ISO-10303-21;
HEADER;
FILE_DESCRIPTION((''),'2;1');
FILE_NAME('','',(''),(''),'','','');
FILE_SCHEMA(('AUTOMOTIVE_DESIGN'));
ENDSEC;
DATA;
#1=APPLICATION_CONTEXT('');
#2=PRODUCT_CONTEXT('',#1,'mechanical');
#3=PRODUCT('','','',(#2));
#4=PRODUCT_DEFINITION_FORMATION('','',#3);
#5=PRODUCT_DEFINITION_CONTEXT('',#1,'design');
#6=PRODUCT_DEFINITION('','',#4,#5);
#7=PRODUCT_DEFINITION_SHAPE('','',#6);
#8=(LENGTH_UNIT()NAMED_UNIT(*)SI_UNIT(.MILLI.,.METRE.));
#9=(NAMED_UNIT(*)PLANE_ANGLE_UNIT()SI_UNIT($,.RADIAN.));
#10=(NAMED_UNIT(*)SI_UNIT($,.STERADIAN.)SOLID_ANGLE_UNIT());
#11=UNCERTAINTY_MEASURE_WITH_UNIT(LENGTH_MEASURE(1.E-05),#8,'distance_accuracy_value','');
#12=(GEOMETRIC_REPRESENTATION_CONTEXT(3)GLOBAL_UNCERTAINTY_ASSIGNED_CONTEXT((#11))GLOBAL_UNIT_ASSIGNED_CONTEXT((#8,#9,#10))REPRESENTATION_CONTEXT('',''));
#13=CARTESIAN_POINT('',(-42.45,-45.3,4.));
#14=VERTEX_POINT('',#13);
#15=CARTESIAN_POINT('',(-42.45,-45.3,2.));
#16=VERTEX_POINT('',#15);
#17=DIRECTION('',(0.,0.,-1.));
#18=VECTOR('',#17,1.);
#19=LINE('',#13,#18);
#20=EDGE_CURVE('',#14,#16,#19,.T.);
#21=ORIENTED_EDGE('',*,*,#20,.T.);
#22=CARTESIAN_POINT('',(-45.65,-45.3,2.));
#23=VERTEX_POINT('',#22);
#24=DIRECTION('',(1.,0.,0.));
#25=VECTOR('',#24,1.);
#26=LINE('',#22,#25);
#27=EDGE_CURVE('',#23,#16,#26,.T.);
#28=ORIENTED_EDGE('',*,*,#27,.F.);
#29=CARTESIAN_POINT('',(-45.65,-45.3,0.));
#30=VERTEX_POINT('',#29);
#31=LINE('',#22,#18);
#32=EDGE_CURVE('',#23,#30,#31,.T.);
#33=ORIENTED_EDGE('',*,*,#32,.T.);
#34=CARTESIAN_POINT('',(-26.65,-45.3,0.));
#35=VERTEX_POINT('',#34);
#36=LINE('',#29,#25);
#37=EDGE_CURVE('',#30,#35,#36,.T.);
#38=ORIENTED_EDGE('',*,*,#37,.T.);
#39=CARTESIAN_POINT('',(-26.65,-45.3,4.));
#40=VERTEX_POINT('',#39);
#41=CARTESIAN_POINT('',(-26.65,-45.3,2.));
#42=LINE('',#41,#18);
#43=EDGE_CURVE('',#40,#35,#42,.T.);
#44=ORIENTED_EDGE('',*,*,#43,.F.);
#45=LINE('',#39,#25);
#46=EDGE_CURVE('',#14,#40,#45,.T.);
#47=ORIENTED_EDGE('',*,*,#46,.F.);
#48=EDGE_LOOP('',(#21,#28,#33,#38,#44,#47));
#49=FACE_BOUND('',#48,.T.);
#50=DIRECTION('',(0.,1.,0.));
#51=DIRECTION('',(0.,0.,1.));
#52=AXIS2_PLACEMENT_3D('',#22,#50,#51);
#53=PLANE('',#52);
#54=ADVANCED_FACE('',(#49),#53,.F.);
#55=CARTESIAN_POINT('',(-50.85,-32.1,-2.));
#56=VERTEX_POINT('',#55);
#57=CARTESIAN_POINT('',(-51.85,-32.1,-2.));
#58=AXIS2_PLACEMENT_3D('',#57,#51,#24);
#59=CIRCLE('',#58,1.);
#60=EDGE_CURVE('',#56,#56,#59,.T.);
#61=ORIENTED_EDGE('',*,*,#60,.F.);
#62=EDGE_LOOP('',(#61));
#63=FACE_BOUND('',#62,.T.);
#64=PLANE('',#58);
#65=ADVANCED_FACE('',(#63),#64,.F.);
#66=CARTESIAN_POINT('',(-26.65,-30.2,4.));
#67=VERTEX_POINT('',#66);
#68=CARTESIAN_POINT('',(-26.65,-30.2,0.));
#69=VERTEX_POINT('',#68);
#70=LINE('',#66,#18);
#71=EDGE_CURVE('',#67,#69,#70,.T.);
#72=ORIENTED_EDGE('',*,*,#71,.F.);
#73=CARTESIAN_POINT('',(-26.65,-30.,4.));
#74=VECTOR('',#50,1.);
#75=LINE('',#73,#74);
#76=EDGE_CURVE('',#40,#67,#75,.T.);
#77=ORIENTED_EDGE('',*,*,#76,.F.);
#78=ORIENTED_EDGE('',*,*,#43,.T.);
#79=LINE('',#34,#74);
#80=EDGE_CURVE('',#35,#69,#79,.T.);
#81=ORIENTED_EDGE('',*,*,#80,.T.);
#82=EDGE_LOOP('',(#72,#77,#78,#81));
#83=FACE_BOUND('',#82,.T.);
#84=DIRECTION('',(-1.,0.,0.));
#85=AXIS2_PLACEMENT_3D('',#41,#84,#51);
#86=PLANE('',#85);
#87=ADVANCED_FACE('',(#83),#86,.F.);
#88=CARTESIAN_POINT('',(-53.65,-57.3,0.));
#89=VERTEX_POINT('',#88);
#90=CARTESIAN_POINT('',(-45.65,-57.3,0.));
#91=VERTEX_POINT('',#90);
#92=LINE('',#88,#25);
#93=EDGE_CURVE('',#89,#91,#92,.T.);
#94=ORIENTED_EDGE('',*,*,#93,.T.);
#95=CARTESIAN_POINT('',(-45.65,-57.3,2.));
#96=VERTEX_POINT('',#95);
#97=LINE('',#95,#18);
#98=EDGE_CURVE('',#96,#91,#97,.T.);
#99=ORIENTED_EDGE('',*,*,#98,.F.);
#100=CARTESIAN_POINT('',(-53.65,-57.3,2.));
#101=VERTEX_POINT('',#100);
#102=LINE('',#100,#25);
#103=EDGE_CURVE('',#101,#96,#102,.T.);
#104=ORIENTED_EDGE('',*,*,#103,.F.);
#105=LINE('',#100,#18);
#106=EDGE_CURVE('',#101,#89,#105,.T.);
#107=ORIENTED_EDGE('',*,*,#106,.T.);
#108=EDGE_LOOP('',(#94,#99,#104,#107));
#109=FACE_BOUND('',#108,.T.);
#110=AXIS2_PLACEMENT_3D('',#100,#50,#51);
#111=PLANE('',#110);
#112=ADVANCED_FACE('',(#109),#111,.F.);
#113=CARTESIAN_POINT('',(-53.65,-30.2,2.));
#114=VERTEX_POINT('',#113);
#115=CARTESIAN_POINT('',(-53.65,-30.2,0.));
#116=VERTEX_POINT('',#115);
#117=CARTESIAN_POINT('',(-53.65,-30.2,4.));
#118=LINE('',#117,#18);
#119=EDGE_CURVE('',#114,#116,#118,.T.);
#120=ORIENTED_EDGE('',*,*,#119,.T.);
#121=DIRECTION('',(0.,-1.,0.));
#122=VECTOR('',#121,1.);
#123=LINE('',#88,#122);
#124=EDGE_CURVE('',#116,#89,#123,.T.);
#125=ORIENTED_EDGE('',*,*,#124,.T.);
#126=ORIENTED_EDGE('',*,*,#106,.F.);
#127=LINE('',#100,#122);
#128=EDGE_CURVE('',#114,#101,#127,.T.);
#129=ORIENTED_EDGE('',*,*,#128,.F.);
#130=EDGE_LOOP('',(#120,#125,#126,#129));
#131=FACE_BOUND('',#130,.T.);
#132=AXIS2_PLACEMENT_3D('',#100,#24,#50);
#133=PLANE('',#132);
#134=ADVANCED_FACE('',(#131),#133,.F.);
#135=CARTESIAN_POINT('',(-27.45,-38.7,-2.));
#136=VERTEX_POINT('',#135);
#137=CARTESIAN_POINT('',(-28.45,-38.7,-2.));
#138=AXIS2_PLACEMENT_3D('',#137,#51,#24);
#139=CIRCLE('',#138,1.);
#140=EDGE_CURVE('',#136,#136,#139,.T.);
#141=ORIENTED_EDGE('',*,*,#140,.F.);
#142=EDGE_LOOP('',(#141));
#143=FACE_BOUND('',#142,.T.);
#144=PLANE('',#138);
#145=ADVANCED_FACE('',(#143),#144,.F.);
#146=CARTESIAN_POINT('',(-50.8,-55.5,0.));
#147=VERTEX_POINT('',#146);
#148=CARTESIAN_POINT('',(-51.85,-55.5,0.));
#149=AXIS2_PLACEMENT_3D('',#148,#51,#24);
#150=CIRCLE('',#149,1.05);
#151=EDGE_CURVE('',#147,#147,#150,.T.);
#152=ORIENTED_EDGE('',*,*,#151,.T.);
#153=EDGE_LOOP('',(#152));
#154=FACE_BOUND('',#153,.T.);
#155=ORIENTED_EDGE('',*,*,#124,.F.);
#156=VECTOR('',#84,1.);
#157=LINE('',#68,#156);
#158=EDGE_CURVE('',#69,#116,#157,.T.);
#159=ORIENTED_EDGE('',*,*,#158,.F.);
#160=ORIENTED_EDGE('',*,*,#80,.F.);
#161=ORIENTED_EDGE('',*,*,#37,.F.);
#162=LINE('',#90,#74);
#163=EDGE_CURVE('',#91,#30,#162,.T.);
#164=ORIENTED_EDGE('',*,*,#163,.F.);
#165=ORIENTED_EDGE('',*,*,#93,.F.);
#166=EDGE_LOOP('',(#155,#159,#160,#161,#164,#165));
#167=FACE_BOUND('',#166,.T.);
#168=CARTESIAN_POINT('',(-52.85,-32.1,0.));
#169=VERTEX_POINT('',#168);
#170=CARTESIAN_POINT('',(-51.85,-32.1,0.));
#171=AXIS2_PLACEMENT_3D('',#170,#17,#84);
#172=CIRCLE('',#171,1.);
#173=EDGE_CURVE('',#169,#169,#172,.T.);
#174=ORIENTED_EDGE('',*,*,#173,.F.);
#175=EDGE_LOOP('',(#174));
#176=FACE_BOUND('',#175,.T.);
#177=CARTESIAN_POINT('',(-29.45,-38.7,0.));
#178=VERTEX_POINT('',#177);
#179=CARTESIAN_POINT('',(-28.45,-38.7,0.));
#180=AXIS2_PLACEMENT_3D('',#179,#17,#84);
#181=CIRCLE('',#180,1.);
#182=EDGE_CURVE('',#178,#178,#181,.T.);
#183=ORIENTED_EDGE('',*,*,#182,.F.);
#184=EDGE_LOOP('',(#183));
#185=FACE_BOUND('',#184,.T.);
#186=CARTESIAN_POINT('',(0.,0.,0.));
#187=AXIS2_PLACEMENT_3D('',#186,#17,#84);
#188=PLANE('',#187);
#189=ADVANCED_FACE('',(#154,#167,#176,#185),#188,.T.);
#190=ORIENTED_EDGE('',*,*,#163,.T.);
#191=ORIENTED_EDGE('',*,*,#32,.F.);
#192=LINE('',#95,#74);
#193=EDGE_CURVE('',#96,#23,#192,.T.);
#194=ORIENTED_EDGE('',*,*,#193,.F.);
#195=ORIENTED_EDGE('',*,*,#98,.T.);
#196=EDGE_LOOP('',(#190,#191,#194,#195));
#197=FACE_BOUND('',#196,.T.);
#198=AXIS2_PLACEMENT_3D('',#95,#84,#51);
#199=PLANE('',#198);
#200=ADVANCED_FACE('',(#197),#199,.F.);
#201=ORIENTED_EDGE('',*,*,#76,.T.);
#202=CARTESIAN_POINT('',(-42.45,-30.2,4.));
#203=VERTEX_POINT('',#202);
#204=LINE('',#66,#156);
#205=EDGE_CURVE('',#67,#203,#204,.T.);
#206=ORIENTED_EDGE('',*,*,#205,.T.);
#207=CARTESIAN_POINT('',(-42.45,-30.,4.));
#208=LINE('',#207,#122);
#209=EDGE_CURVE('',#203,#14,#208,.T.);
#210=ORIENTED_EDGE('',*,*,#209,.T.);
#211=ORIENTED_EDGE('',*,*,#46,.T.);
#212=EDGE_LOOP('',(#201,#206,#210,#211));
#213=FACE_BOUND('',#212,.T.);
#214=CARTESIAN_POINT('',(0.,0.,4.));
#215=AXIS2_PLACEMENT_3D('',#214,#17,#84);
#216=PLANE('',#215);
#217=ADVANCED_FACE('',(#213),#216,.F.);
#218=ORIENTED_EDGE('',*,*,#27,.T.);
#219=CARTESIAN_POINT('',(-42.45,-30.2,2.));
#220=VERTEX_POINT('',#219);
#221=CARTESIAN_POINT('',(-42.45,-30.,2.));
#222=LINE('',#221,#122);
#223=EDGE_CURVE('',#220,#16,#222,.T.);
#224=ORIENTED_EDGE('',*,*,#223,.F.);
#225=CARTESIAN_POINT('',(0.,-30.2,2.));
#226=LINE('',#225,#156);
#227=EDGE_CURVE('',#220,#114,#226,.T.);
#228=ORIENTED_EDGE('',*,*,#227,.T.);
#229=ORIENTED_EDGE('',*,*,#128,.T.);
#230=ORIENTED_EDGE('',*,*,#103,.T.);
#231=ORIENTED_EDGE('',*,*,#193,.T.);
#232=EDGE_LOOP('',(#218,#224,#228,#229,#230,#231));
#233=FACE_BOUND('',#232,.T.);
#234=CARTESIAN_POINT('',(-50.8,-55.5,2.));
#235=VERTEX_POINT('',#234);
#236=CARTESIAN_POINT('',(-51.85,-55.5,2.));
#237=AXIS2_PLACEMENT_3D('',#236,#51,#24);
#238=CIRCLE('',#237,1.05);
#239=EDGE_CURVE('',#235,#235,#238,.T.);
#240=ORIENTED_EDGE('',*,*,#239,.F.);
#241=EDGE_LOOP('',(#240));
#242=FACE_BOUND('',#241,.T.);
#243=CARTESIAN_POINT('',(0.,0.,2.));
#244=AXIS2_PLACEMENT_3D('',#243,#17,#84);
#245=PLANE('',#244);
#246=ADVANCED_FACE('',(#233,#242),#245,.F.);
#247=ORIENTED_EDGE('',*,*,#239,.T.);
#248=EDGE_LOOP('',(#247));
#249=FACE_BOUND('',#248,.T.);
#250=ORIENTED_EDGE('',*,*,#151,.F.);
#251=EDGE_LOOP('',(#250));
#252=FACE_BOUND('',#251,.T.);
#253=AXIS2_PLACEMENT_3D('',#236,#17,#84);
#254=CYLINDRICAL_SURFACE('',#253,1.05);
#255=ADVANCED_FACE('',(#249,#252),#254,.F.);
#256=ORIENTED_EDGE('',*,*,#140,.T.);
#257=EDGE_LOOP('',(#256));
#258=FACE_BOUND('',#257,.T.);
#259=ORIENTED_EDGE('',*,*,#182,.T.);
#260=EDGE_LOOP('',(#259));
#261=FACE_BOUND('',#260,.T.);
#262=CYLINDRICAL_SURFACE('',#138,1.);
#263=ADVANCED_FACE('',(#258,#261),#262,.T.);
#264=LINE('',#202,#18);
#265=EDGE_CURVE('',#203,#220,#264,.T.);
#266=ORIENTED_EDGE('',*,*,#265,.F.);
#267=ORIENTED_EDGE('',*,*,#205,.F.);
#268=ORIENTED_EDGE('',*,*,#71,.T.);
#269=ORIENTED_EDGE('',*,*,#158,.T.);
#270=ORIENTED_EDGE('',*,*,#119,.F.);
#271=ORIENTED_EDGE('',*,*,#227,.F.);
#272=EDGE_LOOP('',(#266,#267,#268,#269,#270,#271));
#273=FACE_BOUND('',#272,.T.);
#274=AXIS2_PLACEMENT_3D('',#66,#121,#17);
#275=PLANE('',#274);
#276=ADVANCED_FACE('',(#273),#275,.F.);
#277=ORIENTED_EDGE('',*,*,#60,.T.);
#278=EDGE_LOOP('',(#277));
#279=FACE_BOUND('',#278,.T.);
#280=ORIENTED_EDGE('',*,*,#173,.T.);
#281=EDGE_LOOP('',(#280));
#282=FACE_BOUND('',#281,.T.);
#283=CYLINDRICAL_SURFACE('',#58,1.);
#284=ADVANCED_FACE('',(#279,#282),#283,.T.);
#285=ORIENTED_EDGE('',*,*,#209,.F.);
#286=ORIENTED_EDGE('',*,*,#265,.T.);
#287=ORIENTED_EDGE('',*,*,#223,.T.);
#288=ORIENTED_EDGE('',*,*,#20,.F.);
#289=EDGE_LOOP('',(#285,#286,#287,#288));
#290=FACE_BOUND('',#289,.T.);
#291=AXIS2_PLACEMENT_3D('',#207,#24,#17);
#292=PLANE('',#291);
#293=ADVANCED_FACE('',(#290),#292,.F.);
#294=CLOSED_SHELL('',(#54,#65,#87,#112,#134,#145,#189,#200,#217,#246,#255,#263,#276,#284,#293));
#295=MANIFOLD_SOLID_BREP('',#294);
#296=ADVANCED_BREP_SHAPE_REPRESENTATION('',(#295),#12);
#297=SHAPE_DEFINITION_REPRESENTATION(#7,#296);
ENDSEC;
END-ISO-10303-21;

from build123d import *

# Parameters (mm, degrees)
SKETCH1_R           = 1.05
BOSS_EXTRUDE1_DEPTH = 2
SKETCH2_R           = 1
BOSS_EXTRUDE2_DEPTH = 4
SKETCH3_W           = 15.8
SKETCH3_H           = 15.3
BOSS_EXTRUDE3_DEPTH = 2
SKETCH4_W           = 27
SKETCH4_H           = 0.2
CUT_EXTRUDE1_DEPTH  = 79.597789409


with BuildPart() as part:
    # Sketch1 → Boss-Extrude1 (new body)
    with BuildSketch(Plane.XY):
        Polygon((-53.65, -57.3), (-45.65, -57.3), (-45.65, -45.3), (-26.65, -45.3), (-26.65, -30), (-53.65, -30), align=None)
        with Locations((-51.85, -55.5)):
            Circle(SKETCH1_R, mode=Mode.SUBTRACT)
    extrude(amount=BOSS_EXTRUDE1_DEPTH)

    # Sketch2 → Boss-Extrude2 (add)
    with BuildSketch(Plane.XY.offset(2)):
        with Locations((-28.45, -38.7)):
            Circle(SKETCH2_R)
        with Locations((-51.85, -32.1)):
            Circle(SKETCH2_R)
    extrude(amount=-BOSS_EXTRUDE2_DEPTH)

    # Sketch3 → Boss-Extrude3 (add)
    with BuildSketch(Plane.XY.offset(2)):
        with Locations((-34.55, -37.65)):
            Rectangle(SKETCH3_W, SKETCH3_H)
    extrude(amount=BOSS_EXTRUDE3_DEPTH)

    # Sketch4 → Cut-Extrude1 (cut, through all)
    with BuildSketch(Plane(origin=(0, 0, 0), x_dir=(-1, 0, 0), z_dir=(0, 0, -1))):
        with Locations((40.15, -30.1)):
            Rectangle(SKETCH4_W, SKETCH4_H)
    extrude(amount=-CUT_EXTRUDE1_DEPTH, mode=Mode.SUBTRACT)


solid = part.part
